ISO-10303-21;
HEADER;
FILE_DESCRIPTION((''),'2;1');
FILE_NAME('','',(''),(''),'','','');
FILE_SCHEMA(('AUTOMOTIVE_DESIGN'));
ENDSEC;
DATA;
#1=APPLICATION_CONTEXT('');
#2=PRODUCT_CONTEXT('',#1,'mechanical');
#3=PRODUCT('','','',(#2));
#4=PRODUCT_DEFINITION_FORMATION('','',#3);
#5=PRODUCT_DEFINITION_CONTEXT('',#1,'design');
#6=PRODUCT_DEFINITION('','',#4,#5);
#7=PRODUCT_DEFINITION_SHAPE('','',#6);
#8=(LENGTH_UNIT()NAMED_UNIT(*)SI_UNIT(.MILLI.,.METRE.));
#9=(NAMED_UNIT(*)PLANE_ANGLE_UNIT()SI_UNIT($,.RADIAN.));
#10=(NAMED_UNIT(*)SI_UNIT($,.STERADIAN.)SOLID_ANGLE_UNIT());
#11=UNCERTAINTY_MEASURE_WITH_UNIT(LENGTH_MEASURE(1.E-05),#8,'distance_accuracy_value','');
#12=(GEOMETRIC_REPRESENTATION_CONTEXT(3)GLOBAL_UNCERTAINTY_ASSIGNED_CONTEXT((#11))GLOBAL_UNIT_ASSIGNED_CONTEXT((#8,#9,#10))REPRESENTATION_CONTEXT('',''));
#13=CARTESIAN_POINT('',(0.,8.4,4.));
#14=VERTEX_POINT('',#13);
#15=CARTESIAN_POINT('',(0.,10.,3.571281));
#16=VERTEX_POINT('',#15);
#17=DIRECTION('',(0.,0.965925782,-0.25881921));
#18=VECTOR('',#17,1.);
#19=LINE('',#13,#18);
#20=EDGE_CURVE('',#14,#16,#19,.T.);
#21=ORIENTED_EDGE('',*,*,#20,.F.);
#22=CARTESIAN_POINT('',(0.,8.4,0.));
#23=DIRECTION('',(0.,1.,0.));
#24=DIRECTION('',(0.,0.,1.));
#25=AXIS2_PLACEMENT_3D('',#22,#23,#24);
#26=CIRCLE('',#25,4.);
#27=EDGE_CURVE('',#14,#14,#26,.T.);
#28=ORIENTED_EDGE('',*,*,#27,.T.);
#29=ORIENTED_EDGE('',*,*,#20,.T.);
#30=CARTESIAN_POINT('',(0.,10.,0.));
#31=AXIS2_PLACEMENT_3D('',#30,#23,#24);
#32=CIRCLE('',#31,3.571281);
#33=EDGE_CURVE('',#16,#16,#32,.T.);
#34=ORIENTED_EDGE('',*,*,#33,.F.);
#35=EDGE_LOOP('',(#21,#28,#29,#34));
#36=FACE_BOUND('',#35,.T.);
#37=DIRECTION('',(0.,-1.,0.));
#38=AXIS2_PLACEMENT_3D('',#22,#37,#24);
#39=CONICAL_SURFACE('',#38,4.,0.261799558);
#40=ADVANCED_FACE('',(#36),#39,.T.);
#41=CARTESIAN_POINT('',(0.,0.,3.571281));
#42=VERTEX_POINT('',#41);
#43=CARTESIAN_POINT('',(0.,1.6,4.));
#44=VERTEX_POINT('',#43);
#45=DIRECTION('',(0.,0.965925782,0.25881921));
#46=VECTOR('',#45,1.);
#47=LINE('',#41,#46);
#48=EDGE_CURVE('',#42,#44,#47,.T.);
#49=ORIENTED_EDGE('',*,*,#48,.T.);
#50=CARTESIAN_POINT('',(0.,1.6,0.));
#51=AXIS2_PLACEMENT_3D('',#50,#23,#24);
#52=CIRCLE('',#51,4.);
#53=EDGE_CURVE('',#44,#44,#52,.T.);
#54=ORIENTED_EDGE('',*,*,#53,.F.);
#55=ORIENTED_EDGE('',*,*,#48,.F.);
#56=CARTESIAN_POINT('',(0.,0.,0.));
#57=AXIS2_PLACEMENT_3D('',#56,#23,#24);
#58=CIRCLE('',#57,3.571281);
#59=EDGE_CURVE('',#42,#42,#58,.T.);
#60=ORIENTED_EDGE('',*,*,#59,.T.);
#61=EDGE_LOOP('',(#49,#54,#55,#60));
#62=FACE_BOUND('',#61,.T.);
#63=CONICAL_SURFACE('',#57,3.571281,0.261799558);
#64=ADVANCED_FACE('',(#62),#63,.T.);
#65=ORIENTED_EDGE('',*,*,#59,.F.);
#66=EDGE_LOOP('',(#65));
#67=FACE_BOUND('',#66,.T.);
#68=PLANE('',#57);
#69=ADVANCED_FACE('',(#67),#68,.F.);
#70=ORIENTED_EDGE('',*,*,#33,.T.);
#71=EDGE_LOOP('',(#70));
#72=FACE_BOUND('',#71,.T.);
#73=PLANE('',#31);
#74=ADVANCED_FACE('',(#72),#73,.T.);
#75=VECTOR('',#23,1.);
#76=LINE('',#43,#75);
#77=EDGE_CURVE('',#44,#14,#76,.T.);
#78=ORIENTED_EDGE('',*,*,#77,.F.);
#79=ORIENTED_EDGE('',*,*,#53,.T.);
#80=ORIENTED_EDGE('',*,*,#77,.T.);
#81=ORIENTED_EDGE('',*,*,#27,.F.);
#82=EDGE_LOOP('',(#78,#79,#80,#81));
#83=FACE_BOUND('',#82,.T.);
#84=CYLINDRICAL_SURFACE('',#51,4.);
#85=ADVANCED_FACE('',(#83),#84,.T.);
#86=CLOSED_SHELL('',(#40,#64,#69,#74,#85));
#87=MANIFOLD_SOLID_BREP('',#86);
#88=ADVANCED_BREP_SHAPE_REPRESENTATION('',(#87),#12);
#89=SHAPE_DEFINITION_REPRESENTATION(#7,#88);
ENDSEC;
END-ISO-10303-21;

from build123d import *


with BuildPart() as part:
    # Sketch → Revolution (revolve)
    with BuildSketch(Plane.YZ):
        Polygon((0, 0), (0, 3.571281), (1.6, 4), (8.4, 4), (10, 3.571281), (10, 0), align=None)
    revolve(axis=Axis((0, 0, 0), (0, 1, 0)))


solid = part.part
